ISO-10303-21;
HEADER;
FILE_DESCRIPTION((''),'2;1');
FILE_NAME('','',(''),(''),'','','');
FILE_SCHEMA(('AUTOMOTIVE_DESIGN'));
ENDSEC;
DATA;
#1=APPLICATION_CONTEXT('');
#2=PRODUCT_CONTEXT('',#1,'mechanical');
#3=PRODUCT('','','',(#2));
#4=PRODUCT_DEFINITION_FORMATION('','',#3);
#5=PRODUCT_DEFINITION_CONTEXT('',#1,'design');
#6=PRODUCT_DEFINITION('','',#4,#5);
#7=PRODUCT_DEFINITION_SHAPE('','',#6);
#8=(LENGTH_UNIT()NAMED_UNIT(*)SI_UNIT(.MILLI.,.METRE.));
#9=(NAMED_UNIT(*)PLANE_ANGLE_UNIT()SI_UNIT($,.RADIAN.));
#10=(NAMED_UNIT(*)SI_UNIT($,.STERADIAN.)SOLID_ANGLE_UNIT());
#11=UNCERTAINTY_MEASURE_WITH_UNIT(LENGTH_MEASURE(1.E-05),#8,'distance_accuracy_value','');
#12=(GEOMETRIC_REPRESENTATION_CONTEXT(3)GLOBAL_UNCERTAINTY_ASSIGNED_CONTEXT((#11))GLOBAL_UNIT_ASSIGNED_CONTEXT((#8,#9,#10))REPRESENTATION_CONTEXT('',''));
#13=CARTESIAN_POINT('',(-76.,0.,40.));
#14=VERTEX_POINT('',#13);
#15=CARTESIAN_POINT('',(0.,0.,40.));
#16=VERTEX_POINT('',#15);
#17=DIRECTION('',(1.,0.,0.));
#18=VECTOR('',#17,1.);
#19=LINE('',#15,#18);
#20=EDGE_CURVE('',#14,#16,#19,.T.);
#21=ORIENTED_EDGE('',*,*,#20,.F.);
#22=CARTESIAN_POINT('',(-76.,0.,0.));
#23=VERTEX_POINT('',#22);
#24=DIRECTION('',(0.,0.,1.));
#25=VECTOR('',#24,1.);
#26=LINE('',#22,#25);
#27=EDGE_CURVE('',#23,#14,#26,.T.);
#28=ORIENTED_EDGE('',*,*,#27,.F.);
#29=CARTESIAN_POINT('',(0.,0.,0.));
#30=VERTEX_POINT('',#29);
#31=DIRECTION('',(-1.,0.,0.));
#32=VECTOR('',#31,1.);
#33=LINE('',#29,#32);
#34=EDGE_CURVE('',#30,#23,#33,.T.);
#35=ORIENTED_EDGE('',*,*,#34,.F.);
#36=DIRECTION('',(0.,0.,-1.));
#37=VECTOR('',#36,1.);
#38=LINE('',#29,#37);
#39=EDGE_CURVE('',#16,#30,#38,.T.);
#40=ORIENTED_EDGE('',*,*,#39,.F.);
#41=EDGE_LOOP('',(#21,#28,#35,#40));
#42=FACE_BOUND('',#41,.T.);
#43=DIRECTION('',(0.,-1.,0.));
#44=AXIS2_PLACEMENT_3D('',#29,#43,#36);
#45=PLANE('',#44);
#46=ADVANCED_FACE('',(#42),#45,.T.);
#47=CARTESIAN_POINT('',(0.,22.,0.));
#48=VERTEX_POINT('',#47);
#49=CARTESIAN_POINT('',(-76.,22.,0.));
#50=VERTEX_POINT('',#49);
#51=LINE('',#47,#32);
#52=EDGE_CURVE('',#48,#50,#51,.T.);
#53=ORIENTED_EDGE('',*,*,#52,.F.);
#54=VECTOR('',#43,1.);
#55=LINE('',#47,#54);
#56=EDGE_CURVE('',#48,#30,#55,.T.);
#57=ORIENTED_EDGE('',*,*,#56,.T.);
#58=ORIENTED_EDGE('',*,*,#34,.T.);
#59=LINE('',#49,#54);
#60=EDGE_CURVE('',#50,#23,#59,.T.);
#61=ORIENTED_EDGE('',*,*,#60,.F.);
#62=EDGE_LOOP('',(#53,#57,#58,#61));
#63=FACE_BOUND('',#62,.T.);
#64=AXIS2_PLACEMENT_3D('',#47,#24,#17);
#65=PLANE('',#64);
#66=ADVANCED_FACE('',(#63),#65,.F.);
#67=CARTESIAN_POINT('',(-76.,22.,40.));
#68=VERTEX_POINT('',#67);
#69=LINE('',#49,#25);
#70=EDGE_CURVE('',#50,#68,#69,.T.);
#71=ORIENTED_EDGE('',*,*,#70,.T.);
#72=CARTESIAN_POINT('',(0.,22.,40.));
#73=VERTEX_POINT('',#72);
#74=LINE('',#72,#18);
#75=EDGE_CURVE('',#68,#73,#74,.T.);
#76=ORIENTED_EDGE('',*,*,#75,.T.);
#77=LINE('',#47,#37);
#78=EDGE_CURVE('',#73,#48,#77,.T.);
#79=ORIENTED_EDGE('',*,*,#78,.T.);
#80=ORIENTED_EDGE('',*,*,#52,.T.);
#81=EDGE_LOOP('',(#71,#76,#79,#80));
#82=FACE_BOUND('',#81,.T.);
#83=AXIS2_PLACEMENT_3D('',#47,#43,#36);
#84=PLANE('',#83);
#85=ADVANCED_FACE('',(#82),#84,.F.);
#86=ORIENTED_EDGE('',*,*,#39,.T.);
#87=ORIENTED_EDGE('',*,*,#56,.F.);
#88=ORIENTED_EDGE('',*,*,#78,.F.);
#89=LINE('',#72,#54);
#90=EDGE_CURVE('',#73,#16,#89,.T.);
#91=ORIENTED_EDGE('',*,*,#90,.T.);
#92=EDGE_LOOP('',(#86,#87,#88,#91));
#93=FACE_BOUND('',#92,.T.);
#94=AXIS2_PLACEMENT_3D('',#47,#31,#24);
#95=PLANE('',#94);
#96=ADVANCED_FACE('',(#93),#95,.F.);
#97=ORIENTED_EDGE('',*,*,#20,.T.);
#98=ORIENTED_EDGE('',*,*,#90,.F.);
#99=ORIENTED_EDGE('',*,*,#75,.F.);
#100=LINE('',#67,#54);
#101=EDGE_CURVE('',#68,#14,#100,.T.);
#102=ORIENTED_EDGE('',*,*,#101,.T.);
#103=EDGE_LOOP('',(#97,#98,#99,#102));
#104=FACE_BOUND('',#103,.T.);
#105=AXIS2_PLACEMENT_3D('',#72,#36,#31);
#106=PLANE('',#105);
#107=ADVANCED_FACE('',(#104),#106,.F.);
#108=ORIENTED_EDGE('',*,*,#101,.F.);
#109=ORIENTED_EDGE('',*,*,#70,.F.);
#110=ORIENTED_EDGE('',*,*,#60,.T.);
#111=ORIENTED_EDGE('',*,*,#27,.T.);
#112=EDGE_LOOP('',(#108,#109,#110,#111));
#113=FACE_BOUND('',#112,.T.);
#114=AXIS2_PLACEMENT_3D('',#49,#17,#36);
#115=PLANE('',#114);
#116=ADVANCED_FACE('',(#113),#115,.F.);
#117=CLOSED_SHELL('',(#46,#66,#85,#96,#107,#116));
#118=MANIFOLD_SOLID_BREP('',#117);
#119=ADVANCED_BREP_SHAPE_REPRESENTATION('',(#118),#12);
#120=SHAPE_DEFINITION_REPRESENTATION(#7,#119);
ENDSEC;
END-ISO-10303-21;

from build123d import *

# Parameters (mm, degrees)
ESQUISSE1_W        = 76
ESQUISSE1_H        = 40
BOSS_EXTRU_1_DEPTH = 22


with BuildPart() as part:
    # Esquisse1 → Boss.-Extru.1 (new body)
    with BuildSketch(Plane(origin=(0, 0, 0), x_dir=(1, 0, 0), z_dir=(0, 1, 0))):
        with Locations((-38, -20)):
            Rectangle(ESQUISSE1_W, ESQUISSE1_H)
    extrude(amount=BOSS_EXTRU_1_DEPTH)


solid = part.part
